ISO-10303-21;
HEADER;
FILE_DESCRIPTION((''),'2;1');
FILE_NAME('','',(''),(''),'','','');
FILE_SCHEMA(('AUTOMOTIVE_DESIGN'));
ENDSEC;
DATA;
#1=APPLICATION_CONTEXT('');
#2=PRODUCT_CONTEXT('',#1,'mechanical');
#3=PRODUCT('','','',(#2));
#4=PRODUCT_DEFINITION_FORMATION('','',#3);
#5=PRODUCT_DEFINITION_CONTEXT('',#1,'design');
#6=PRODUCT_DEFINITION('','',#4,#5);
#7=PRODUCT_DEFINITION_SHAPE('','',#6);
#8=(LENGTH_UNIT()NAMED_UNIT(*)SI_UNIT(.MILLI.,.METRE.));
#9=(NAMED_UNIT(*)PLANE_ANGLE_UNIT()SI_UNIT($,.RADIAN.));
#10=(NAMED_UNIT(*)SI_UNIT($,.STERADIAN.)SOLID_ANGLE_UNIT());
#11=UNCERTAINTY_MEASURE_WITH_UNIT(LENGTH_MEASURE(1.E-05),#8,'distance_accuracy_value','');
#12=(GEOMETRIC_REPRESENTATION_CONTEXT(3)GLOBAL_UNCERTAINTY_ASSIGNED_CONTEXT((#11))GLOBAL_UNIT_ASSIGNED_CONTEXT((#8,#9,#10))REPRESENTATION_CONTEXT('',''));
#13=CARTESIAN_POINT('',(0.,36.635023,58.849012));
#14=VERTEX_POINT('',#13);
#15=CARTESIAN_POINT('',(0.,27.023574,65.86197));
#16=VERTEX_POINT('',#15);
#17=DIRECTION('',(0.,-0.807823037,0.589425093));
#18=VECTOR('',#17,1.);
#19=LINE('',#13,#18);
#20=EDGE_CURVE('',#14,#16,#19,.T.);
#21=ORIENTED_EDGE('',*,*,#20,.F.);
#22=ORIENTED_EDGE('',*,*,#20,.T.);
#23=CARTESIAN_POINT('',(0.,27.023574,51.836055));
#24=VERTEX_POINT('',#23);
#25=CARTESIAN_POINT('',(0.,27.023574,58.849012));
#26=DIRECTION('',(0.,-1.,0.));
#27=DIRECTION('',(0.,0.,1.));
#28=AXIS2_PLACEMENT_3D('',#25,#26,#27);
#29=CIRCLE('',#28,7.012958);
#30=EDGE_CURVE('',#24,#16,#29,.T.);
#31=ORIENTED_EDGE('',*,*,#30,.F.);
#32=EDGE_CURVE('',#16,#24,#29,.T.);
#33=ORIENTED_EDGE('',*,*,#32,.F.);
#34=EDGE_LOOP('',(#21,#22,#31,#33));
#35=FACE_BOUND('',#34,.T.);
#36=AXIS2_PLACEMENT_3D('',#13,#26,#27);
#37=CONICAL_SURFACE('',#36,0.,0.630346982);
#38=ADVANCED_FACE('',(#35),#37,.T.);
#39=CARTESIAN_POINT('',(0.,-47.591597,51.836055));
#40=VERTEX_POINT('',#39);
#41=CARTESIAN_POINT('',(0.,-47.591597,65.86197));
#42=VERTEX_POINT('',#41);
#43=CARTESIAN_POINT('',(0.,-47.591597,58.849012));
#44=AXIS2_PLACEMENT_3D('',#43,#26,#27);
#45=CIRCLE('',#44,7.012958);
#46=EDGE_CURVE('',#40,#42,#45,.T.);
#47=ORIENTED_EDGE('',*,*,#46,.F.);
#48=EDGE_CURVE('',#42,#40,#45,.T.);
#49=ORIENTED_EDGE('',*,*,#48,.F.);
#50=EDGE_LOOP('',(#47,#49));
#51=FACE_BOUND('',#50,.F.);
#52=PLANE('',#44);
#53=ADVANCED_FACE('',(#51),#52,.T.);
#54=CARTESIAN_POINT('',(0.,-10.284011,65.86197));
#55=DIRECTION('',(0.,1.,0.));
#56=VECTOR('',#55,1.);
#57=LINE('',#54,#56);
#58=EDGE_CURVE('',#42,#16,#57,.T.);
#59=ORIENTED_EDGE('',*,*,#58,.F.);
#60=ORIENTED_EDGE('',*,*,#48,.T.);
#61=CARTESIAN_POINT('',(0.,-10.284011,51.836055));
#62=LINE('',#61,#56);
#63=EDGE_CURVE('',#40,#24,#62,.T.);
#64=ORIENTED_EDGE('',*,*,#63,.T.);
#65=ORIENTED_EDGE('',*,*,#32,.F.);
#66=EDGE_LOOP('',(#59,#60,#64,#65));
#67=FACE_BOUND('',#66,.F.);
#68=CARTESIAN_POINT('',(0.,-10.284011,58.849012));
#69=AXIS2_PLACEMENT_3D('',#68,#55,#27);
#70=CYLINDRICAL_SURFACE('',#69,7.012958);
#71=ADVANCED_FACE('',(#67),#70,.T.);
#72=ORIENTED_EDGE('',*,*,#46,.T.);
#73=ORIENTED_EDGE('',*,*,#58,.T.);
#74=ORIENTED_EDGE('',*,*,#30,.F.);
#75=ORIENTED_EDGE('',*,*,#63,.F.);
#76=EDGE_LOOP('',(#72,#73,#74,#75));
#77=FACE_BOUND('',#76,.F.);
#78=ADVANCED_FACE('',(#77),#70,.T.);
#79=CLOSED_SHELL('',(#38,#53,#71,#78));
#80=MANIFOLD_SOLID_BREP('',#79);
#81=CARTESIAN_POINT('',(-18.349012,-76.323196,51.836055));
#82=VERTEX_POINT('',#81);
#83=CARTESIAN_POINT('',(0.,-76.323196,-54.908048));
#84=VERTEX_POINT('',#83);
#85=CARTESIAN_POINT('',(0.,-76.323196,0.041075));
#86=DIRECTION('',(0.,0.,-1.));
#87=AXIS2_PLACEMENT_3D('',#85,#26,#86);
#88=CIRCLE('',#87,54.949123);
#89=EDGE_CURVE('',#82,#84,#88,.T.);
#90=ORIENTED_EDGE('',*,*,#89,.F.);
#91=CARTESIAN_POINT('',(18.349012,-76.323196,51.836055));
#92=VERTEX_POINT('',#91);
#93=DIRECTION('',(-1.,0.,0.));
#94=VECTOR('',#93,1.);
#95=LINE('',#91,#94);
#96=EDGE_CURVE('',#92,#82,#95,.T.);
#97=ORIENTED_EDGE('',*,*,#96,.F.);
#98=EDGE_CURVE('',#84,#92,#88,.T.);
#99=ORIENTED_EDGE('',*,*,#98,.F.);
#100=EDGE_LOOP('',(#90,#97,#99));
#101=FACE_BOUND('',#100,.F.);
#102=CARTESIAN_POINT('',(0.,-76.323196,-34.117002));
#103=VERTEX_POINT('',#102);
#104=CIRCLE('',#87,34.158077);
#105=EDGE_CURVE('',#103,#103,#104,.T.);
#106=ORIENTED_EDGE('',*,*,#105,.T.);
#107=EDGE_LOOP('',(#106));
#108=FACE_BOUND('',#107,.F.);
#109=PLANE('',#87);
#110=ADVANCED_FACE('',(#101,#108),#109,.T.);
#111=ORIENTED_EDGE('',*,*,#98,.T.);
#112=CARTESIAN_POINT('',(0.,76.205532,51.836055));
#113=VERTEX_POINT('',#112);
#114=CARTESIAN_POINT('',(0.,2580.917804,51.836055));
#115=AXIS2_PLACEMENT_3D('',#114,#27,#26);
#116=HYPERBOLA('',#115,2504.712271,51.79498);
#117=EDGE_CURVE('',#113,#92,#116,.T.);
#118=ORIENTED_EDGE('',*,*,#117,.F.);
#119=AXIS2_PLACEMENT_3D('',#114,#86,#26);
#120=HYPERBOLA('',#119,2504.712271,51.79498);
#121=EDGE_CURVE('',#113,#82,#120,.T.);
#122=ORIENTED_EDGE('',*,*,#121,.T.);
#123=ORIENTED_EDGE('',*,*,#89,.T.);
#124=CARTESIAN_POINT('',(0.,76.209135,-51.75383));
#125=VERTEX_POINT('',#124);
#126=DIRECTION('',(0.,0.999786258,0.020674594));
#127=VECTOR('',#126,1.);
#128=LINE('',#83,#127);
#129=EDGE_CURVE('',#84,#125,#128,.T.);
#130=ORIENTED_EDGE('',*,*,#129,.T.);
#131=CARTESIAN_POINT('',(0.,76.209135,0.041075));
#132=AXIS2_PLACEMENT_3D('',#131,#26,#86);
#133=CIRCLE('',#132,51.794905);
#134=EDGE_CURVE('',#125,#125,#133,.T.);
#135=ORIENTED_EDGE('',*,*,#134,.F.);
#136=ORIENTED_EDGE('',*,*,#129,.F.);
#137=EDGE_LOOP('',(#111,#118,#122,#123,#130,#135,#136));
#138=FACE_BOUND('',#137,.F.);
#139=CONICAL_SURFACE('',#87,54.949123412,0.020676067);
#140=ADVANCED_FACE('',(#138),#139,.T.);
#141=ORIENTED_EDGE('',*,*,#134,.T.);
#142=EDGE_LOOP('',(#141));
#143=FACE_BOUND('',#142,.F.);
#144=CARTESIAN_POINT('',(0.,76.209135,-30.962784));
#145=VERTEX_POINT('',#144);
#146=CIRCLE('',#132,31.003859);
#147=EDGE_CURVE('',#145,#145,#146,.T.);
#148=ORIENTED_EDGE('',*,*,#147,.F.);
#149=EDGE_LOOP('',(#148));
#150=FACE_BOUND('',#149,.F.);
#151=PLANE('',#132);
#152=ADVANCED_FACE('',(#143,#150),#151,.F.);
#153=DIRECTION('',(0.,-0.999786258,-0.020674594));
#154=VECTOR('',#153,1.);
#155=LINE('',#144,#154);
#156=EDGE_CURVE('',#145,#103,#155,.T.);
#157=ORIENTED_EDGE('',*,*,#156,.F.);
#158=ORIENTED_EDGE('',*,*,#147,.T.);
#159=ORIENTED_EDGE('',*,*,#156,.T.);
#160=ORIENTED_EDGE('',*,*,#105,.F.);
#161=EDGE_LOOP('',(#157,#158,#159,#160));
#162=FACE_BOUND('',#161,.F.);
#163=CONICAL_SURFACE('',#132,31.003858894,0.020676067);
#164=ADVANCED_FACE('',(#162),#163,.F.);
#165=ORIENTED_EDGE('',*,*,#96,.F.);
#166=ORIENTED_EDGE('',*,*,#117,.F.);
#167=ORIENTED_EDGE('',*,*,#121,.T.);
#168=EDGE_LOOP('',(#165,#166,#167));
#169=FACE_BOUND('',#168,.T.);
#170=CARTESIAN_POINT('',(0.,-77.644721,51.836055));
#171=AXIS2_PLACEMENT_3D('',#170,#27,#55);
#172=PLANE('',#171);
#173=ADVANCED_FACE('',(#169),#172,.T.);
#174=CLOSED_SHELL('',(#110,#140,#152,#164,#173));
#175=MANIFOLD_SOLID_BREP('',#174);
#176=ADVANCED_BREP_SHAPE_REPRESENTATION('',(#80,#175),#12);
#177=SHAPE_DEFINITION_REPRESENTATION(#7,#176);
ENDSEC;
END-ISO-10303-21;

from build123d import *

# Parameters (mm, degrees)
F3_DEPTH      = 114.554
F3_DEPTH_BACK = 105.664
F2_W          = 74.6151711792
F2_H          = 7.012957707


with BuildPart() as f1:
    # F0 (on Right) → F1 (revolve)
    with BuildSketch(Plane.YZ):
        Polygon((76.2091353536, -30.9627838433), (-76.3231962919, -34.1170020401), (-76.3231962919, -54.9080483615), (76.2091353536, -51.7538301647), align=None)
    revolve(axis=Axis((0, -26.1712055653, 0.0410750508), (0, -1, 0)))

    # F2 (on Right) → F3 (cut, two sides)
    with BuildSketch(Plane.YZ) as f3_sk:
        Polygon((-77.6447206736, 51.8360547721), (76.2091651559, 51.8360547721), (76.2091651559, 58.8490124792), (36.6350226104, 58.8490124792), (27.0235743374, 58.8490124792), (-47.5915968418, 58.8490124792), (-77.6447206736, 58.8490124792), align=None)
    extrude(amount=-F3_DEPTH, mode=Mode.SUBTRACT)
    extrude(f3_sk.sketch, amount=F3_DEPTH_BACK, mode=Mode.SUBTRACT)

    # F2 (on Right) → F4 (revolve)
    with BuildSketch(Plane.YZ):
        with Locations((-10.2840112522, 62.3554913327)):
            Rectangle(F2_W, F2_H)
    revolve(axis=Axis((0, -0.7177777588, 58.8490124792), (0, -1, 0)))

    # F2 (on Right) → F5 (revolve)
    with BuildSketch(Plane.YZ):
        Polygon((27.0235743374, 58.8490124792), (36.6350226104, 58.8490124792), (27.0235743374, 65.8619701862), align=None)
    revolve(axis=Axis((0, -0.7177777588, 58.8490124792), (0, -1, 0)))


solid = f1.part
